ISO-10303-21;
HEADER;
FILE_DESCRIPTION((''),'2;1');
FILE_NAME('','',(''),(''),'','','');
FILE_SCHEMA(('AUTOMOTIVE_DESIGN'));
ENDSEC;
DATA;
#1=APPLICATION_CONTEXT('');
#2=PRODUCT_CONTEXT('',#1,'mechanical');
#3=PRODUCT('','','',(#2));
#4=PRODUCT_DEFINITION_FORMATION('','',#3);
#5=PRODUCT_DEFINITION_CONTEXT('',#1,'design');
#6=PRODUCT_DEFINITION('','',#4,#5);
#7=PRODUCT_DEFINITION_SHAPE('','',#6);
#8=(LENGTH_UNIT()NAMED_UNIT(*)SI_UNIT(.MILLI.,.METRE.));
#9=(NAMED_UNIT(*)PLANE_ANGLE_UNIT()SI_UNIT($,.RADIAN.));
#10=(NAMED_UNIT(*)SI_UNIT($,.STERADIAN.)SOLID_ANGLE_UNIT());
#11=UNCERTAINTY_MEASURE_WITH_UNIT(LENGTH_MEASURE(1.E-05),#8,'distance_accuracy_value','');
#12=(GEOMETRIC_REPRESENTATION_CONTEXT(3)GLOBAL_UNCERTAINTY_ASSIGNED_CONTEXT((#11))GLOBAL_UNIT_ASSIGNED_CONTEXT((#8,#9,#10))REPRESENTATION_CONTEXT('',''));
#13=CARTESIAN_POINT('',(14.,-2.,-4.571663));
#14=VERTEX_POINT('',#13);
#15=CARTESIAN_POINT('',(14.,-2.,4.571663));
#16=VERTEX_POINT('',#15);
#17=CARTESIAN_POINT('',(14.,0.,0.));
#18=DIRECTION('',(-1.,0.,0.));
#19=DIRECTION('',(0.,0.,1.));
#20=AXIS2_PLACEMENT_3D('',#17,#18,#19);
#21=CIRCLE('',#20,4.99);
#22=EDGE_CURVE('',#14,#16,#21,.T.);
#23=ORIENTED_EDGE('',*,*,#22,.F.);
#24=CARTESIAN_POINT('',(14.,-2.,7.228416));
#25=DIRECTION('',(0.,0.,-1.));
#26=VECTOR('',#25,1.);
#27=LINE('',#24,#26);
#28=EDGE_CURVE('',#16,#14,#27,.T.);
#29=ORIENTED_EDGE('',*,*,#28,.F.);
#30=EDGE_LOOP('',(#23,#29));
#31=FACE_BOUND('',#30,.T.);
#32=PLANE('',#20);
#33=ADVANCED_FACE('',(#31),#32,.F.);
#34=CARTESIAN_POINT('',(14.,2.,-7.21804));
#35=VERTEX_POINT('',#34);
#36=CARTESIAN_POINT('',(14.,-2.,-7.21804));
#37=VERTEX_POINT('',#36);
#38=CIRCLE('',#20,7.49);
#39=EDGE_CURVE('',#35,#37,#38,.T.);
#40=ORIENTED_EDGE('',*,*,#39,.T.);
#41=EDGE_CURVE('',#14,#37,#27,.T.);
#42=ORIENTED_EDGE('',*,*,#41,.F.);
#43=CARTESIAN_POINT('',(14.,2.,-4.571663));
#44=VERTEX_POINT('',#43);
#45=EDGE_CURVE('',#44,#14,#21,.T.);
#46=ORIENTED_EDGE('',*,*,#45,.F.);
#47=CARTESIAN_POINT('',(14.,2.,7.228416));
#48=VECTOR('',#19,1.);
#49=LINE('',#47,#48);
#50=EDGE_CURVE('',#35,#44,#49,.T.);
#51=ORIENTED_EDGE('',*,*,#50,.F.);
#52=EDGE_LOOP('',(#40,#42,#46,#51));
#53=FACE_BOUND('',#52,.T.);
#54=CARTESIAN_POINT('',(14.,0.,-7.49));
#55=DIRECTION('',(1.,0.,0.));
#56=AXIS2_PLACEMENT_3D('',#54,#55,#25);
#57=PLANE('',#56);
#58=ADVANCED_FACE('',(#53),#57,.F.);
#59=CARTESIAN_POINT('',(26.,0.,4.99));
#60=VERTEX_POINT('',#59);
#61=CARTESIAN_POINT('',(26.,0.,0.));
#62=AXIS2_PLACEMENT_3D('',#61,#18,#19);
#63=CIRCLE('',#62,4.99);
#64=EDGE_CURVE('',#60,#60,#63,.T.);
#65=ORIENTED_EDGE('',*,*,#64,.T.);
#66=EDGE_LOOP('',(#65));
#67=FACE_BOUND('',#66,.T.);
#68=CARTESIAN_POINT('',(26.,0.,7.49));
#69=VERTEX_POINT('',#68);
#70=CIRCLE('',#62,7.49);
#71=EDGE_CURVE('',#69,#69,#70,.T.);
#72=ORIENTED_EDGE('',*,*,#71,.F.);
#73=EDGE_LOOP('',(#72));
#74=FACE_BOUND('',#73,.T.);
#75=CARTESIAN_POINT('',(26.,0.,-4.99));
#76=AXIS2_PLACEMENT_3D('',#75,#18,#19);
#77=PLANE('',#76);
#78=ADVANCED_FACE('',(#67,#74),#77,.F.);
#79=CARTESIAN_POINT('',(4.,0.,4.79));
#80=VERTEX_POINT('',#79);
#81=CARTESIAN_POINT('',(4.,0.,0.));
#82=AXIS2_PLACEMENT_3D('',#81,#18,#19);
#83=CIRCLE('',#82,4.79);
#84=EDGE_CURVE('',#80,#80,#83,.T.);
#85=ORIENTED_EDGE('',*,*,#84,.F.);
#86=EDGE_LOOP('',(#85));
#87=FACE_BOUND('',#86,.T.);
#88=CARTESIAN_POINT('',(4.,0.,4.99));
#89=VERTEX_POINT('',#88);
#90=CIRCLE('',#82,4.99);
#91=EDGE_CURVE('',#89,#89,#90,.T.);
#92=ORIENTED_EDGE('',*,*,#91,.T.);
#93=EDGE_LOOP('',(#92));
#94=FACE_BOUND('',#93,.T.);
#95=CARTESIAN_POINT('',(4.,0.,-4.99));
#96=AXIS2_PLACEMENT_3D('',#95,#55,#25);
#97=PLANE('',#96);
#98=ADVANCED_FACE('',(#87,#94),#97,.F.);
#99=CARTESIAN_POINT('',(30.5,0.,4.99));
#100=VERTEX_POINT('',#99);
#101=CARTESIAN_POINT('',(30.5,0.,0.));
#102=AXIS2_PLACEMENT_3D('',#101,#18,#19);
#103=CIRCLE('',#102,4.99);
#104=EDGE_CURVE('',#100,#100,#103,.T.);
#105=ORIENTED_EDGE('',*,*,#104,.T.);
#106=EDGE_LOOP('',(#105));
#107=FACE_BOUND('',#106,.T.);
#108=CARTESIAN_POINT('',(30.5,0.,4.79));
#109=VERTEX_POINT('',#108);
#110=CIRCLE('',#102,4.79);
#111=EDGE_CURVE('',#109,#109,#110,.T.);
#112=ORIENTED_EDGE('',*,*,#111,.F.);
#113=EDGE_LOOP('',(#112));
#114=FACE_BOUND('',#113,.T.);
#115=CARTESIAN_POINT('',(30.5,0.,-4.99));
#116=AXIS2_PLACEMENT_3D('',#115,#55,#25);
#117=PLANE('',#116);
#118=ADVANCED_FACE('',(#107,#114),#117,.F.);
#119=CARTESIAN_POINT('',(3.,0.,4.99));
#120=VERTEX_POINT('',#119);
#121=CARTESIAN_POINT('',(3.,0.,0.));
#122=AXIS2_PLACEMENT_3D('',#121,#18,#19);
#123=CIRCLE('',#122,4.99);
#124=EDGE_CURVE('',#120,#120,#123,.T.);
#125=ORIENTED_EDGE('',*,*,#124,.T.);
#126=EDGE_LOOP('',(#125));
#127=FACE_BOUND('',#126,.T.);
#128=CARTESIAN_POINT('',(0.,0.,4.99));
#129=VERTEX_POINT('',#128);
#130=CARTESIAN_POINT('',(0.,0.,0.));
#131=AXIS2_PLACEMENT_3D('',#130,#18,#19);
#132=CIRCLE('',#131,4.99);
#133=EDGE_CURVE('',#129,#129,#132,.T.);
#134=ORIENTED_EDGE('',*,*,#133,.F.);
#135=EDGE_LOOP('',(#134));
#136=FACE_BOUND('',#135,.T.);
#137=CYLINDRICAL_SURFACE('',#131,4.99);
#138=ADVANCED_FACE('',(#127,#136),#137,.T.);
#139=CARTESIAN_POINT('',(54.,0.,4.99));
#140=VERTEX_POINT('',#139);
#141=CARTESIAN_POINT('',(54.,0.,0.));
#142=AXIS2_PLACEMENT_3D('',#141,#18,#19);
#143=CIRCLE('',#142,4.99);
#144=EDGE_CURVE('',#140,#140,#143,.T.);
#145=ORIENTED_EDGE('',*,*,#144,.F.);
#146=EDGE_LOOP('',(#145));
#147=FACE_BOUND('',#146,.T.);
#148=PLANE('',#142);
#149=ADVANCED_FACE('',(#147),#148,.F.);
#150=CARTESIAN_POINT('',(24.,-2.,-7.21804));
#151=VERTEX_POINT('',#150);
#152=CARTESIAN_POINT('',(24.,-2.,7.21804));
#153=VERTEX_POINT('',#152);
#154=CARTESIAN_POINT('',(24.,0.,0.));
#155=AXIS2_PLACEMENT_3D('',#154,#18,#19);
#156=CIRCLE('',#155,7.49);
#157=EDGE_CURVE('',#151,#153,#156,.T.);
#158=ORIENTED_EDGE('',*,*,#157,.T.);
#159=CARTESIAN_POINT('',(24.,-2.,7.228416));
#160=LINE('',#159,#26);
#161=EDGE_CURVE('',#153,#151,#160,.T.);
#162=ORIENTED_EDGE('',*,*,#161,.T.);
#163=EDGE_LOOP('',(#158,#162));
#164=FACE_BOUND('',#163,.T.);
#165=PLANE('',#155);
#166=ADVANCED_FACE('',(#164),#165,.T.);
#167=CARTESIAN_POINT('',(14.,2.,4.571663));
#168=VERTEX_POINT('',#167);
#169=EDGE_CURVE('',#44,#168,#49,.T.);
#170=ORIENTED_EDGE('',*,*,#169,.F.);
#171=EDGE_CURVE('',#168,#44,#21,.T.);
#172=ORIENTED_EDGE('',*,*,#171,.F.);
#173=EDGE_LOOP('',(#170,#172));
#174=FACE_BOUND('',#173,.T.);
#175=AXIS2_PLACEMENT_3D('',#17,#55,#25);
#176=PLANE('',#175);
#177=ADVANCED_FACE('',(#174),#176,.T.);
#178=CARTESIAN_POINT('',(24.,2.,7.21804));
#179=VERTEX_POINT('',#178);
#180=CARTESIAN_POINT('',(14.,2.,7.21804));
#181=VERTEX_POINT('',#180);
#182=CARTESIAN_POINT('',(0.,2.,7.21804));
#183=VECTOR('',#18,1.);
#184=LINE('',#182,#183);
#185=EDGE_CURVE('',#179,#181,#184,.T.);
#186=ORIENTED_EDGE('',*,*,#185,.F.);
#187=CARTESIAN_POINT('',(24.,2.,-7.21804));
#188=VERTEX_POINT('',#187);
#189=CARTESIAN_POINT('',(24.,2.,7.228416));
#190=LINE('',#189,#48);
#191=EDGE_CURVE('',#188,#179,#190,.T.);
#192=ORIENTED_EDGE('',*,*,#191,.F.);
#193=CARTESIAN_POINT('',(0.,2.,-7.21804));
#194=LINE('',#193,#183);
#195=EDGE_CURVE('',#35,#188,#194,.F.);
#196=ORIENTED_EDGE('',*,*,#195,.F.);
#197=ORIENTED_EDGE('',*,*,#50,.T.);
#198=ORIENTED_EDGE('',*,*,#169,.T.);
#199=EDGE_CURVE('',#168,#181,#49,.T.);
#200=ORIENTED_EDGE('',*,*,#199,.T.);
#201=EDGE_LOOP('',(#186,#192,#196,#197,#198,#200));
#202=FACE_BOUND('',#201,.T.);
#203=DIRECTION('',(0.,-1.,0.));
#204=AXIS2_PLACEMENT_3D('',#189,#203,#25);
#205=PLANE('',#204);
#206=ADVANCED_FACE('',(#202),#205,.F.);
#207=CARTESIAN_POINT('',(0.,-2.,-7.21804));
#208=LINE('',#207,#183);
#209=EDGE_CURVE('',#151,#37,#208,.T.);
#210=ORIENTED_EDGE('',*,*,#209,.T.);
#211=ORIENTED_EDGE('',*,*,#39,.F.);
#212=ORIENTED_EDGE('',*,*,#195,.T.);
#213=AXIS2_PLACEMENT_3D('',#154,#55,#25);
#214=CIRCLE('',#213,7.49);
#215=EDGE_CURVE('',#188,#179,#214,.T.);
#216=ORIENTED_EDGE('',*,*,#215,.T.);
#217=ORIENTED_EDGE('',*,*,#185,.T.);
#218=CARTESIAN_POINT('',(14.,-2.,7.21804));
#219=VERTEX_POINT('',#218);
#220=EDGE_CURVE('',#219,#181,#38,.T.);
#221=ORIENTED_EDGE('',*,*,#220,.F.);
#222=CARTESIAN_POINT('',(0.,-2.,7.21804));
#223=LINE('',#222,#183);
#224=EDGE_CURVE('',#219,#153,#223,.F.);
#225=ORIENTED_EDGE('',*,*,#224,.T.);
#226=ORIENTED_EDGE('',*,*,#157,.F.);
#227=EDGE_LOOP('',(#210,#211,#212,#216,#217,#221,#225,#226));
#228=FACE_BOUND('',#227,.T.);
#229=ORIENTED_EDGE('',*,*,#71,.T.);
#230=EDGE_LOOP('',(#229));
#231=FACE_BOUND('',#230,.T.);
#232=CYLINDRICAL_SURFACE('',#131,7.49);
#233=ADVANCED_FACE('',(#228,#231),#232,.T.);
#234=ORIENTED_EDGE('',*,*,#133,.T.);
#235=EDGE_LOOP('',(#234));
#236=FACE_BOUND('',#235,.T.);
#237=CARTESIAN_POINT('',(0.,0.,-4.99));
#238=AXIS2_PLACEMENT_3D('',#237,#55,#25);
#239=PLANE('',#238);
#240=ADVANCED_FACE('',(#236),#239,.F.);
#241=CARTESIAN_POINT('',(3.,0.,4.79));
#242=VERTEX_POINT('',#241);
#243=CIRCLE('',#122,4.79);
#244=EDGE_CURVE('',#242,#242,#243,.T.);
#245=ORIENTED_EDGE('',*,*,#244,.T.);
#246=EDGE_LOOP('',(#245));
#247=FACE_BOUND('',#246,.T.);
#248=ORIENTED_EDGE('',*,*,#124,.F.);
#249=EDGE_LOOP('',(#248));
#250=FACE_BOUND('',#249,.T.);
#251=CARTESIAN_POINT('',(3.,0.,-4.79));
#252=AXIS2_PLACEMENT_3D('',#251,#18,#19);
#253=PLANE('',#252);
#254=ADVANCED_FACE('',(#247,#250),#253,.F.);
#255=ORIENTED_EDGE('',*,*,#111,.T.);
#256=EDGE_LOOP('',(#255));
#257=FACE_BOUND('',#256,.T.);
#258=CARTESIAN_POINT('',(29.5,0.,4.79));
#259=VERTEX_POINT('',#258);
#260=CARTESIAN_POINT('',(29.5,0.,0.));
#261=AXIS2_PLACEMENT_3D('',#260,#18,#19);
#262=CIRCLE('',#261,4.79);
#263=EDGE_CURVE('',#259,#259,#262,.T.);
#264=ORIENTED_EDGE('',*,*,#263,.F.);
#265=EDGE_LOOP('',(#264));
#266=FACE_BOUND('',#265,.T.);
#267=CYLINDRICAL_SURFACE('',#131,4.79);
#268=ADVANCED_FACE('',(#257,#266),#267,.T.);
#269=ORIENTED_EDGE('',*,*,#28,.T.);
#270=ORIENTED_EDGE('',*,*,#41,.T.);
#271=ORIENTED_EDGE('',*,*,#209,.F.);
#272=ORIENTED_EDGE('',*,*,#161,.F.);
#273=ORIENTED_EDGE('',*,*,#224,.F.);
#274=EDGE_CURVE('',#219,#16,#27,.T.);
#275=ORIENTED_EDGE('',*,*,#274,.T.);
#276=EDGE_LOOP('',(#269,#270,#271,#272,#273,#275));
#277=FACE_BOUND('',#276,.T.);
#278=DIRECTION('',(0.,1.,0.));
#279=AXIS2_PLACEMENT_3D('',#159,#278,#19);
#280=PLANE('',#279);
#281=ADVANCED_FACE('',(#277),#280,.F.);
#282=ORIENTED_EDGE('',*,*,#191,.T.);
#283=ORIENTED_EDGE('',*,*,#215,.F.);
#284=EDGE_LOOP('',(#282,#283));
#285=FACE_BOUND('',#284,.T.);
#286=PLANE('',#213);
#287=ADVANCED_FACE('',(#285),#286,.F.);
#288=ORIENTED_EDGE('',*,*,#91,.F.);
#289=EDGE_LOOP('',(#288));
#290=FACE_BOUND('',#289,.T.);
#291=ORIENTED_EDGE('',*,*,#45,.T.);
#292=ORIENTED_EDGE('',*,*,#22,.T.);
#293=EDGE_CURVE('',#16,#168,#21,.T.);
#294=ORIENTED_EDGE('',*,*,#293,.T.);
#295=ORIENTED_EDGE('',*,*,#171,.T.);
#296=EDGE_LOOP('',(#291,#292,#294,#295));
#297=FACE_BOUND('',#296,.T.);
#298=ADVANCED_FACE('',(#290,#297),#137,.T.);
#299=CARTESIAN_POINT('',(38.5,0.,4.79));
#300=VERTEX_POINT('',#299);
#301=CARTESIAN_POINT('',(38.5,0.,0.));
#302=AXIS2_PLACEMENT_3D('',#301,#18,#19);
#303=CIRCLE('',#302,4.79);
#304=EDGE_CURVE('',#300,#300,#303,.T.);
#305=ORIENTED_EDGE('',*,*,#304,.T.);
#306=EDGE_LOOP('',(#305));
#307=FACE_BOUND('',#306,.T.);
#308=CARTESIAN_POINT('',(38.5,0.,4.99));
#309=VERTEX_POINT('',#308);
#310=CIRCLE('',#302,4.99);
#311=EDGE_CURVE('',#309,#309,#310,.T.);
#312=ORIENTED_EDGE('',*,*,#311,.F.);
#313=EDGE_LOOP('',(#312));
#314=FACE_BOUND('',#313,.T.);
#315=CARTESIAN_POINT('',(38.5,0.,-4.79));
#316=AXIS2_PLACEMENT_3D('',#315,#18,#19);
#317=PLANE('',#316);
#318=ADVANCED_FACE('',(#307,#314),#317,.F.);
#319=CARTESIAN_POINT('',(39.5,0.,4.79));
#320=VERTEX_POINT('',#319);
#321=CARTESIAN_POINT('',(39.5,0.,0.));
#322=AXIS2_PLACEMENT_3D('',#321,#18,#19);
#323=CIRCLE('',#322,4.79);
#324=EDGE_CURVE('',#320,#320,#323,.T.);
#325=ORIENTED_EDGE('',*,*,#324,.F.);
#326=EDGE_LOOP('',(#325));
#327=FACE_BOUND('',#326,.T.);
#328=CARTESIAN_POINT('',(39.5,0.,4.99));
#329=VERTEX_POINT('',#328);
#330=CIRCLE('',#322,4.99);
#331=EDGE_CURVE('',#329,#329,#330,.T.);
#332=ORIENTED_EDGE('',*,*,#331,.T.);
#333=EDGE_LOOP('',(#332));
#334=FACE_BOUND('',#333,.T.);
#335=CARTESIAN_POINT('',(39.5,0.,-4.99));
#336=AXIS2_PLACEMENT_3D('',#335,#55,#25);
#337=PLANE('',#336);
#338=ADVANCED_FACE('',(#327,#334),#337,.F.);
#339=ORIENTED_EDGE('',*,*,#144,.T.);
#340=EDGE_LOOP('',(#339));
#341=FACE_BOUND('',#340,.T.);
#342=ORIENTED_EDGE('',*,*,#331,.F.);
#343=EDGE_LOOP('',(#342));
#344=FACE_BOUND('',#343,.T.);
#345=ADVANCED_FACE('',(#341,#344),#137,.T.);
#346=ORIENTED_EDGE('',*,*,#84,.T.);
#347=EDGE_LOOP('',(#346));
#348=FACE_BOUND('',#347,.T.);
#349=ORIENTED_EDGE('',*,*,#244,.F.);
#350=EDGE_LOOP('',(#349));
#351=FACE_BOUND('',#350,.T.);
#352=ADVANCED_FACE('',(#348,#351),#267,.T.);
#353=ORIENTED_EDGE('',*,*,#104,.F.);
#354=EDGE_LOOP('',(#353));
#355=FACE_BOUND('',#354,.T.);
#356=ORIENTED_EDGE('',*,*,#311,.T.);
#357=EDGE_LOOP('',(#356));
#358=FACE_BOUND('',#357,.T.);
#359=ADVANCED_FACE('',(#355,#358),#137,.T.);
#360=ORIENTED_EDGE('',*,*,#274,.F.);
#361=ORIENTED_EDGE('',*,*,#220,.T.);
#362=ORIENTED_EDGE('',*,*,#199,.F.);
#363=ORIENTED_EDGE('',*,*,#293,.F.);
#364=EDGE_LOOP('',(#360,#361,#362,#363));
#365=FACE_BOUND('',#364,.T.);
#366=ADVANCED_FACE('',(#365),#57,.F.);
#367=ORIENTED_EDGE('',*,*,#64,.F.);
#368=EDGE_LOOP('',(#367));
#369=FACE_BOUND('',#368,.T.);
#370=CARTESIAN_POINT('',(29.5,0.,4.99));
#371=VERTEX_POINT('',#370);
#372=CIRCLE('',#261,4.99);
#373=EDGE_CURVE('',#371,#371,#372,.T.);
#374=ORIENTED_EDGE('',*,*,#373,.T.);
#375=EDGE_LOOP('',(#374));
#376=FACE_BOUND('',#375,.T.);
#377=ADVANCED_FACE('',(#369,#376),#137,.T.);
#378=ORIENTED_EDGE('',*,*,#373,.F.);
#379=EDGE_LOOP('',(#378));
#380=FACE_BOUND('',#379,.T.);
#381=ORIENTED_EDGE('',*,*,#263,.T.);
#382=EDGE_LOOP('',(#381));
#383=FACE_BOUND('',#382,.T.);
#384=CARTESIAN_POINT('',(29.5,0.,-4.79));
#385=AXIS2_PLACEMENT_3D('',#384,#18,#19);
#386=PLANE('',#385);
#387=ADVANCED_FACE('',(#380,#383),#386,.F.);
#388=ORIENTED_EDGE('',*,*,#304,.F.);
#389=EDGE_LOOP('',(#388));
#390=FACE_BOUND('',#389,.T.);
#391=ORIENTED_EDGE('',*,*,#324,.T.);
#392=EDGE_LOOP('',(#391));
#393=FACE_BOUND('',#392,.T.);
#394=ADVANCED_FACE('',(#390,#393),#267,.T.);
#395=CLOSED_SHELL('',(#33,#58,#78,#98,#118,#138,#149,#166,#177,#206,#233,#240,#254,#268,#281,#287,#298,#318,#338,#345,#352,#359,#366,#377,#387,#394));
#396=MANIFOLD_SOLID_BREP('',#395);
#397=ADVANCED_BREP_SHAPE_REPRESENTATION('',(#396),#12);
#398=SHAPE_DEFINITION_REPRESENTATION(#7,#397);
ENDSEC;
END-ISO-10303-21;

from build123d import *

# Parameters (mm, degrees)
CUT_EXTRUDE8_DEPTH = 10


with BuildPart() as part:
    # Sketch3 → Revolve1 (revolve)
    with BuildSketch(Plane(origin=(0, 0, 0), x_dir=(1, 0, 0), z_dir=(0, 1, 0)), mode=Mode.PRIVATE) as revolve1_sk:
        Polygon((0, 0), (54, 0), (54, 4.99), (39.5, 4.99), (39.5, 4.79), (38.5, 4.79), (38.5, 4.99), (30.5, 4.99), (30.5, 4.79), (29.5, 4.79), (29.5, 4.99), (26, 4.99), (26, 7.49), (14, 7.49), (14, 4.99), (4, 4.99), (4, 4.79), (3, 4.79), (3, 4.99), (0, 4.99), align=None)
    revolve(revolve1_sk.sketch.rotate(Axis((0, 0, 0), (1, 0, 0)), 180), axis=Axis((0, 0, 0), (1, 0, 0)))

    # Sketch10 → Cut-Extrude8 (cut)
    with BuildSketch(Plane.ZY.offset(-14)):
        with BuildLine():
            Line((7.228416147, 2), (-7.228416147, 2))
            ThreePointArc((-7.228416147, 2), (0, 7.5), (7.228416147, 2))
        make_face()
        with BuildLine():
            Line((7.228416147, -2), (-7.228416147, -2))
            ThreePointArc((-7.228416147, -2), (0, -7.5), (7.228416147, -2))
        make_face()
    extrude(amount=-CUT_EXTRUDE8_DEPTH, mode=Mode.SUBTRACT)


solid = part.part
